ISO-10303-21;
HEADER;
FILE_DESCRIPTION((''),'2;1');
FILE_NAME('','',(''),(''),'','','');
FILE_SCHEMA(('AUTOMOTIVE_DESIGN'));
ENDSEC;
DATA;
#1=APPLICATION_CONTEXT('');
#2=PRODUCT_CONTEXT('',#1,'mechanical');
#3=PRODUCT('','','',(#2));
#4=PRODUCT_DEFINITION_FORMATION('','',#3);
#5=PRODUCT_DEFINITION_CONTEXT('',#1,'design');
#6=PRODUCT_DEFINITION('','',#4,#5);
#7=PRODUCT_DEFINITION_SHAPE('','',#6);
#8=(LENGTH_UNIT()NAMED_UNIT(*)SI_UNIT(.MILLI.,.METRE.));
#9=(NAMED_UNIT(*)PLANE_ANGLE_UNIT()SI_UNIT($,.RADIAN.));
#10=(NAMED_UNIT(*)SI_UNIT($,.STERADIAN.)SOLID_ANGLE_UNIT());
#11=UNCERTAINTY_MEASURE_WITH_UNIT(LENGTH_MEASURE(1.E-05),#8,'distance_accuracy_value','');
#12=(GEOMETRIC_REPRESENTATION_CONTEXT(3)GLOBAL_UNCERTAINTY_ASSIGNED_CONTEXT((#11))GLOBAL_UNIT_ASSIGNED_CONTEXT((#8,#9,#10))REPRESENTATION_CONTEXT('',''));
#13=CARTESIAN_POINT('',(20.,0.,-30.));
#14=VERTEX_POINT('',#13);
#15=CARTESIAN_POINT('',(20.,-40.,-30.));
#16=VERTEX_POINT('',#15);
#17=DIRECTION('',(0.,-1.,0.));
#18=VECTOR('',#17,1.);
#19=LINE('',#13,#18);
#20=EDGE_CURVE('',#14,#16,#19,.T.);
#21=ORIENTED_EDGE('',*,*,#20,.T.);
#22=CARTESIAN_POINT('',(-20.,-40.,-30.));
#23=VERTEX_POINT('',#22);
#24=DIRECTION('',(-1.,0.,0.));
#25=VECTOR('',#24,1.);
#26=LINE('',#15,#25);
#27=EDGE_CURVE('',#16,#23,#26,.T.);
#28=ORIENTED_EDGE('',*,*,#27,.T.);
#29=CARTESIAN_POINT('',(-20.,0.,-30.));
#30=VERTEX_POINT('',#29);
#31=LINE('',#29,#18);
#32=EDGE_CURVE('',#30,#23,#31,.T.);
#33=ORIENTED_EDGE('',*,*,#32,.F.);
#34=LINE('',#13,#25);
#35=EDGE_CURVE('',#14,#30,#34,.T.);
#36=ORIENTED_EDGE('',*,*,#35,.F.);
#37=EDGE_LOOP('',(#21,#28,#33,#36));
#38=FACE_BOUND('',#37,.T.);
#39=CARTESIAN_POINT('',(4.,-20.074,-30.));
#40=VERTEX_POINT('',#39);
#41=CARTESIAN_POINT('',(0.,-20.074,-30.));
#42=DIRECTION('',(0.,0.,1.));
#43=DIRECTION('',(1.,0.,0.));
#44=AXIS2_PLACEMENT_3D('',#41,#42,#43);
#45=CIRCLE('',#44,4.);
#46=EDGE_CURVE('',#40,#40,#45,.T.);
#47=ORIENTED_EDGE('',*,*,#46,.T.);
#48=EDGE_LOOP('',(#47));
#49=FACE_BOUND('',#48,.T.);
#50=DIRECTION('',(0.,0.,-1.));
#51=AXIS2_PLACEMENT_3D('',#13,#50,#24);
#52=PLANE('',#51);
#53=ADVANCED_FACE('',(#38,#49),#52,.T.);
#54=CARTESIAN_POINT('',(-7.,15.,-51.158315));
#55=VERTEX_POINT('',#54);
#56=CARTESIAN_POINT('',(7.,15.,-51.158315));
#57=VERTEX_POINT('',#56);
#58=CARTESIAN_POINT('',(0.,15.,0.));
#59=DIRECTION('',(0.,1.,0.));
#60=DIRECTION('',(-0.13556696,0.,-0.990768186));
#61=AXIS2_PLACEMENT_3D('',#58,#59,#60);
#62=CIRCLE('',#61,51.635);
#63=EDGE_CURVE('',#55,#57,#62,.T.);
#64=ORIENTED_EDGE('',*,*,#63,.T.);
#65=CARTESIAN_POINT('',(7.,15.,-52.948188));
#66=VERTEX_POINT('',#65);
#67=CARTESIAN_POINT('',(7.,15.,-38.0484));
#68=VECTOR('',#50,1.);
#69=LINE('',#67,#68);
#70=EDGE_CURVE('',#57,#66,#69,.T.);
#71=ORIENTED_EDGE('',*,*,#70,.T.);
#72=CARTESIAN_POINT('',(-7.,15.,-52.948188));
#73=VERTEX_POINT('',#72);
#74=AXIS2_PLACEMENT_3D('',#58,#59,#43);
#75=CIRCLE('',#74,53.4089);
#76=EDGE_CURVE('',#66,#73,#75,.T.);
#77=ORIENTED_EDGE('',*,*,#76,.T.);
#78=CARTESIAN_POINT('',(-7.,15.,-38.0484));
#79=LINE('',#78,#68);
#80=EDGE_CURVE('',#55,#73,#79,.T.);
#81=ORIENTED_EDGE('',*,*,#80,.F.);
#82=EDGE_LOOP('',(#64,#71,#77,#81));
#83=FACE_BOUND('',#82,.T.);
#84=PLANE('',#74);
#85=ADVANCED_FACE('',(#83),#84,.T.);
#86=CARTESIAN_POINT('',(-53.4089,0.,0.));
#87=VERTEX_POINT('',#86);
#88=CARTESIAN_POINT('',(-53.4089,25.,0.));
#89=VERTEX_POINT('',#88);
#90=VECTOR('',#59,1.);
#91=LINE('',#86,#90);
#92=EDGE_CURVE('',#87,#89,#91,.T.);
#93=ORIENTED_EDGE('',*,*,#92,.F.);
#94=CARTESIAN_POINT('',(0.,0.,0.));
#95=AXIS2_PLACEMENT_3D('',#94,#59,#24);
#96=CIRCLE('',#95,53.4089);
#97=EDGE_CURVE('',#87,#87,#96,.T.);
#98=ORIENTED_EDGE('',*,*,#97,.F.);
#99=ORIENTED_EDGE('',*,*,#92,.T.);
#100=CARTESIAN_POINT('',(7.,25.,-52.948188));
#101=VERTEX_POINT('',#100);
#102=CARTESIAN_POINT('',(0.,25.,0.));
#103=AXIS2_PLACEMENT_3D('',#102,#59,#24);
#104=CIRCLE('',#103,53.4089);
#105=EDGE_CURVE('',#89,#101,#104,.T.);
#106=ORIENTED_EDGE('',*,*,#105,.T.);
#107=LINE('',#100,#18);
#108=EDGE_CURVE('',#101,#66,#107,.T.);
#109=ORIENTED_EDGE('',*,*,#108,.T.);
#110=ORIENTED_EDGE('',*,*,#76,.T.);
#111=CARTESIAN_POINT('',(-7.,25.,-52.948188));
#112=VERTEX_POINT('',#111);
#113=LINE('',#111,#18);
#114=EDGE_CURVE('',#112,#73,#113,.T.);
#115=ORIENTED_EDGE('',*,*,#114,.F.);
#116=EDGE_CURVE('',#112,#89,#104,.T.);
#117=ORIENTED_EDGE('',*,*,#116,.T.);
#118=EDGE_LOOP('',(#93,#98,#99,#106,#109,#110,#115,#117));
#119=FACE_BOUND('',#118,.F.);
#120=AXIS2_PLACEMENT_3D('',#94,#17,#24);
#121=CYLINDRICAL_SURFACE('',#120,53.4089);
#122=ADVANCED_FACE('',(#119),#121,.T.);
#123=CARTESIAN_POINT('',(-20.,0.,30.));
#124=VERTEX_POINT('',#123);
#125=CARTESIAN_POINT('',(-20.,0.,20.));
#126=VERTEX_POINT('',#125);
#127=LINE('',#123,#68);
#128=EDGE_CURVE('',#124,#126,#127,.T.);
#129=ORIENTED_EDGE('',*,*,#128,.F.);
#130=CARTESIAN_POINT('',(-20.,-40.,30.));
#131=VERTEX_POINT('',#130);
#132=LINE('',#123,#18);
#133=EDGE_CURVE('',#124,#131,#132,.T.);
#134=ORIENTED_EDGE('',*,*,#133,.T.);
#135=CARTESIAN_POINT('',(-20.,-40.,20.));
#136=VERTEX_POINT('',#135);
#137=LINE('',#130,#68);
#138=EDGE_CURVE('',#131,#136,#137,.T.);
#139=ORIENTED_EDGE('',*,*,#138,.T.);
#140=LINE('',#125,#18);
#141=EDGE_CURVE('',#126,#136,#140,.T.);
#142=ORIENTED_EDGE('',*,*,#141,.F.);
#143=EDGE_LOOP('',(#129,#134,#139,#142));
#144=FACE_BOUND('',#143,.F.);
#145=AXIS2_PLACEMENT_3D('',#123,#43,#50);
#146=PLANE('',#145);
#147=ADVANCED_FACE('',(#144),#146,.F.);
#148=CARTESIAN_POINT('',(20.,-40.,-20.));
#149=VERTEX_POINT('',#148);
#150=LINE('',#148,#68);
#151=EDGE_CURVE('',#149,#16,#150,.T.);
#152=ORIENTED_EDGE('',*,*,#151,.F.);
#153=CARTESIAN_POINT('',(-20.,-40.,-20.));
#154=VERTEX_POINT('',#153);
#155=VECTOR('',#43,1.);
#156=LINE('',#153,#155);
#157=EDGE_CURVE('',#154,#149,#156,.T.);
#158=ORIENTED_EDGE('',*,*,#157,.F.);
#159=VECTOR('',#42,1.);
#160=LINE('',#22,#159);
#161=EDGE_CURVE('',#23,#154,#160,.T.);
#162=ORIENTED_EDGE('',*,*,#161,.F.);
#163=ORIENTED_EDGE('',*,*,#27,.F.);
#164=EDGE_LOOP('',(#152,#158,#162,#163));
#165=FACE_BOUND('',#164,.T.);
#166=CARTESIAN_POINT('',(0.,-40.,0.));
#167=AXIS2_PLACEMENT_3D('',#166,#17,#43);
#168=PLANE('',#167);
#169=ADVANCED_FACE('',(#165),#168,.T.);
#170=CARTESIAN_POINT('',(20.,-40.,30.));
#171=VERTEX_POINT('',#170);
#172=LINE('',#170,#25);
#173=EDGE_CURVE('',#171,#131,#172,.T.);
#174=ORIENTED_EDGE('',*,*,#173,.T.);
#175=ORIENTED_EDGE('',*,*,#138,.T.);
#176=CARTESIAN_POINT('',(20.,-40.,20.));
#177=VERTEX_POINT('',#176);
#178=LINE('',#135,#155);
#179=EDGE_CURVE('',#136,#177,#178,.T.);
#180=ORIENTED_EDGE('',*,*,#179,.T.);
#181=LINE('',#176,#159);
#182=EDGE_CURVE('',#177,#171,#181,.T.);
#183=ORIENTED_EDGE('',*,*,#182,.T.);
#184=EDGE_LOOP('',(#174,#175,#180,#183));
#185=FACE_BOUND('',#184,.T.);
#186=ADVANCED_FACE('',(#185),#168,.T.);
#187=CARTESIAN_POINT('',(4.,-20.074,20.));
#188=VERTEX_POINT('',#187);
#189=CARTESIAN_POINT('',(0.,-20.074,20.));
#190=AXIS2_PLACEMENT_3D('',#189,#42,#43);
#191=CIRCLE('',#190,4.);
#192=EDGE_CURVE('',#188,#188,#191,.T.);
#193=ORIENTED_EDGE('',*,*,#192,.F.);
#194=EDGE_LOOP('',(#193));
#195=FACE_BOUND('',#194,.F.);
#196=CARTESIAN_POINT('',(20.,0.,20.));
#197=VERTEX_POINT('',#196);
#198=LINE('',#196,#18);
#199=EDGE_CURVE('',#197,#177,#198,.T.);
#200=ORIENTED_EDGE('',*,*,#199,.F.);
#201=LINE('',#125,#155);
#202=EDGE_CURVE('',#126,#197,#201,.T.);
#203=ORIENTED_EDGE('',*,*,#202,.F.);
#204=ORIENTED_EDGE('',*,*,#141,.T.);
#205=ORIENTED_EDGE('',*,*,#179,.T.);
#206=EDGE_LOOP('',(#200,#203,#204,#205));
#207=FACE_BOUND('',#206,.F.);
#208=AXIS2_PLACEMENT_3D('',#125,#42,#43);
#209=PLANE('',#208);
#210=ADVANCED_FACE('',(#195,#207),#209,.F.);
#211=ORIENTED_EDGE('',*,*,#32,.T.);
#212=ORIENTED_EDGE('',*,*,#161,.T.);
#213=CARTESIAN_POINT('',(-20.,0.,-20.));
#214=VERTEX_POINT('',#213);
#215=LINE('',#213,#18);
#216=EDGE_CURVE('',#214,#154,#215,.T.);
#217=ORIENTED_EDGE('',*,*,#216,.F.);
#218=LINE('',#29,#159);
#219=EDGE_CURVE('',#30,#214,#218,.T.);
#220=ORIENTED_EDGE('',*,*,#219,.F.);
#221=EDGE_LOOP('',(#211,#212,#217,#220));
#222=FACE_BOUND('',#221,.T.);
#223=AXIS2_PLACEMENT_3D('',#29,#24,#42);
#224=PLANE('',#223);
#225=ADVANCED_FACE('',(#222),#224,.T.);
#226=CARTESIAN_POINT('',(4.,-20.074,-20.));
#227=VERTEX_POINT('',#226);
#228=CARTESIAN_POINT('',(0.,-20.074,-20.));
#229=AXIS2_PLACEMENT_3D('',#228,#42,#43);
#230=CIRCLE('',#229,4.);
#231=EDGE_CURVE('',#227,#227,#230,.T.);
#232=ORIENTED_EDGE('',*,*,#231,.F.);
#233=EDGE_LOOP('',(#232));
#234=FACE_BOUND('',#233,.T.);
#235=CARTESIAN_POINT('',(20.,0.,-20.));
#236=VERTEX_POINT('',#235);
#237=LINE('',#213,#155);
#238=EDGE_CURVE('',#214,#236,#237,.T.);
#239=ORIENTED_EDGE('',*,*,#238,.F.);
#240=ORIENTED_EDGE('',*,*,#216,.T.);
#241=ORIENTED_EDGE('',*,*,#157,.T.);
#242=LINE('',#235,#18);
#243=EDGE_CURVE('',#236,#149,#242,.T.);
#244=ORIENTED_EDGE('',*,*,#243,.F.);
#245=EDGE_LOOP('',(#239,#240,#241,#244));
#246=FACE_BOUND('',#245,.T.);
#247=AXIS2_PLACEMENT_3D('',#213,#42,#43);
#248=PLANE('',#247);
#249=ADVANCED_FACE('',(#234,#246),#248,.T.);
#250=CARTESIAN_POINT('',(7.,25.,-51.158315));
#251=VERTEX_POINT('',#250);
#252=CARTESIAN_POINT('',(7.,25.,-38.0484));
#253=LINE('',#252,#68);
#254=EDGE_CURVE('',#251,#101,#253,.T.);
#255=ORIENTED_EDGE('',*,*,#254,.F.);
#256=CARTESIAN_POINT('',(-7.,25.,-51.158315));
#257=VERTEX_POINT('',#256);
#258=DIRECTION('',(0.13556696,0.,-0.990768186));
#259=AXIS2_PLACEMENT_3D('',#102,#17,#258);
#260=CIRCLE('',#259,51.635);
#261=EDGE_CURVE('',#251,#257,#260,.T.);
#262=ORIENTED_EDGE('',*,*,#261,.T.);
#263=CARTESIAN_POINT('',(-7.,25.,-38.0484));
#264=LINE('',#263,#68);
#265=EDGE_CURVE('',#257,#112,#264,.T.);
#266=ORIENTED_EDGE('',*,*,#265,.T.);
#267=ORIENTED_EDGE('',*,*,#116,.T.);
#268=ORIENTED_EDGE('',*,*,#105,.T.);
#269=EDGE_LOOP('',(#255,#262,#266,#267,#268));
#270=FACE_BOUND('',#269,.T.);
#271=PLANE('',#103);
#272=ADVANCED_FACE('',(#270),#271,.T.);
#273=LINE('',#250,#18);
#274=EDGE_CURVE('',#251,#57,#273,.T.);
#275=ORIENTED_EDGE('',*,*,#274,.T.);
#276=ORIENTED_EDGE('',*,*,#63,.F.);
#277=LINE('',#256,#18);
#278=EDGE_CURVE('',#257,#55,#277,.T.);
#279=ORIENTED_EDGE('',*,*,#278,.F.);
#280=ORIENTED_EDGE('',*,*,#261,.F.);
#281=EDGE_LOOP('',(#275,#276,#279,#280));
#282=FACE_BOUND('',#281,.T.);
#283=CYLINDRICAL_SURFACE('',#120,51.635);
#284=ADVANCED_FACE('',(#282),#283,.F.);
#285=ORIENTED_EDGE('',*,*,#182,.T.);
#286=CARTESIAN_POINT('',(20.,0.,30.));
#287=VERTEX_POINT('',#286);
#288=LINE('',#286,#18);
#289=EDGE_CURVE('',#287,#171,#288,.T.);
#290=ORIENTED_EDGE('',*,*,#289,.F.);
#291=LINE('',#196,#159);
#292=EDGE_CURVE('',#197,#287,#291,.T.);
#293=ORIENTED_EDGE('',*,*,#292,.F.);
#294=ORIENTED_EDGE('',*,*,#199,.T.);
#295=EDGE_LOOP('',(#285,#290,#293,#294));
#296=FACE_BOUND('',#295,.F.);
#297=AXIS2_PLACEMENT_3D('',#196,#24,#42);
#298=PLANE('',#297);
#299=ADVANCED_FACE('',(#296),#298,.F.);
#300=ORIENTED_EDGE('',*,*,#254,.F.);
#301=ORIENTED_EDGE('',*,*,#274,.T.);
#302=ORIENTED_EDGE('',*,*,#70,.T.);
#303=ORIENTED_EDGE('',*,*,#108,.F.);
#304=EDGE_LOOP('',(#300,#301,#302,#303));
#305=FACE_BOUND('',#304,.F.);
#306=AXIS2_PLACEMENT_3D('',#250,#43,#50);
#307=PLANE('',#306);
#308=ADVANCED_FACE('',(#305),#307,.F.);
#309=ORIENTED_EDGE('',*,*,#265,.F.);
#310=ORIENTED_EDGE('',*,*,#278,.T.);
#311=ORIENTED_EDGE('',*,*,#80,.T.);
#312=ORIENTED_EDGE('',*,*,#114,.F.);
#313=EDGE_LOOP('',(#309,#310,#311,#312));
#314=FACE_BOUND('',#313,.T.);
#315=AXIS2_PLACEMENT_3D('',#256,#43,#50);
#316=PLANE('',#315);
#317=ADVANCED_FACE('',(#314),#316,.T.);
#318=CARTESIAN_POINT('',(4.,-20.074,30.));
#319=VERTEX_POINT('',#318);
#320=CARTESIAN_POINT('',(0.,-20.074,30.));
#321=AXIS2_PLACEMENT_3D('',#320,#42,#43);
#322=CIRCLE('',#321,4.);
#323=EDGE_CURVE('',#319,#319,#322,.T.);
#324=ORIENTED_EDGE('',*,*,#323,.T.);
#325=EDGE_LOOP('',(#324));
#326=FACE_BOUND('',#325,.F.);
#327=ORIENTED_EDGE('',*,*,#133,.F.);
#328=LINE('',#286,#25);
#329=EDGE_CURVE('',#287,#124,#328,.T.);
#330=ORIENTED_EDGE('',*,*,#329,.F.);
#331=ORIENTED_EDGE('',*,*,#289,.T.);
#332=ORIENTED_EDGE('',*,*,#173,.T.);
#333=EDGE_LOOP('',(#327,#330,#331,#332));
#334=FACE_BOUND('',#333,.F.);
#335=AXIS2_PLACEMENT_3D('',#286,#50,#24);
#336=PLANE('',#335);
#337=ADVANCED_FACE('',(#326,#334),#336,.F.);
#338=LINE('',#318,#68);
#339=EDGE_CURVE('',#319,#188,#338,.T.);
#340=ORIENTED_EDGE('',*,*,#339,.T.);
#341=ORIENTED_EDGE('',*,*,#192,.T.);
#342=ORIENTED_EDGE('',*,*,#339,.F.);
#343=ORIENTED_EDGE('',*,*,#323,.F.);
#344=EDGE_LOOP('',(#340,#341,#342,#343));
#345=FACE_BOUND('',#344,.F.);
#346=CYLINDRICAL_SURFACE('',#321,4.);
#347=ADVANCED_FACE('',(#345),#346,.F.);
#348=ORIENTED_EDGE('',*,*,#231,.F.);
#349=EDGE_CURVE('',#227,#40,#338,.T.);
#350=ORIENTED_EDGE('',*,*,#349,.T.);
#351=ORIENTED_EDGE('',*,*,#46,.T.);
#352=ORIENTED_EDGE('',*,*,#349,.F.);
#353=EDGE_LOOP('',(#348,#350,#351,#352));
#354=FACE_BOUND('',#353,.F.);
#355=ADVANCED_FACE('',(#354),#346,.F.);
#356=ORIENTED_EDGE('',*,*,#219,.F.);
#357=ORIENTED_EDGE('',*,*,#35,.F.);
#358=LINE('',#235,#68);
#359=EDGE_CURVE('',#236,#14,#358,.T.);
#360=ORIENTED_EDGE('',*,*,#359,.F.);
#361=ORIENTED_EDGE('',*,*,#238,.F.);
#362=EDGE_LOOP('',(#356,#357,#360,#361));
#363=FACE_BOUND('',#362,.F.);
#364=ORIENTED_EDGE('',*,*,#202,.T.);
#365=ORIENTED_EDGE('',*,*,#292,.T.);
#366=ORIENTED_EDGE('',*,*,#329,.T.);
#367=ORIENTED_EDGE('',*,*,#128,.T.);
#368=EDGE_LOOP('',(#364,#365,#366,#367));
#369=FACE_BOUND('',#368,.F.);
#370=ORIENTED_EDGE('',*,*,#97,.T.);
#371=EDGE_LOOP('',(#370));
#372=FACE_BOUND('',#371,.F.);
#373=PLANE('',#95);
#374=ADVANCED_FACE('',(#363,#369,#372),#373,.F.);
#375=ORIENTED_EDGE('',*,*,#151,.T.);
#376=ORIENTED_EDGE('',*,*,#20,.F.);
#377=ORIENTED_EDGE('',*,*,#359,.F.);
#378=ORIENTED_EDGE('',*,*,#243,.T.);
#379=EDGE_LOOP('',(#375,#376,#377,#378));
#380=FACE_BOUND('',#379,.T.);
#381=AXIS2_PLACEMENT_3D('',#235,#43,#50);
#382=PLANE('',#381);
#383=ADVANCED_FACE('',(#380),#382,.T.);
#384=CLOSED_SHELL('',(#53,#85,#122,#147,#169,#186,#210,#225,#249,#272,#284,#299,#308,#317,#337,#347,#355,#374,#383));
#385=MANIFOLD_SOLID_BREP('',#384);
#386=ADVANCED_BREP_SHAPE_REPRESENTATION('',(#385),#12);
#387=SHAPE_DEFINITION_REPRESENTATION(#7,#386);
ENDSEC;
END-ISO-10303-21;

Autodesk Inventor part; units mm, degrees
ref_plane "YZ Plane" through (0, 0, 0) normal (1, 0, 0) x (0, 1, 0)
ref_plane "XZ Plane" through (0, 0, 0) normal (0, 1, 0) x (-1, 0, 0)
ref_plane "XY Plane" through (0, 0, 0) normal (0, 0, 1) x (1, 0, 0)
sketch "스케치1" plane through (0, 0, 0) normal (0, 1, 0) x (-1, 0, 0)
  circle A0 centre (0, 0) radius 51.635
  circle A1 centre (0, 0) radius 53.4089
  dimension "d0" = 103.27
extrude "돌출1" add sketch "스케치1" along normal blind 25
extrude "돌출2" add sketch "스케치1" along normal blind 15 contours A0
sketch "스케치2" plane through (0, 25, 0) normal (0, 1, 0) x (1, 0, 0)
  line L0 (-7, 38.0484) -> (-7, 59.2742)
  line L1 (7, 38.0484) -> (7, 59.2742)
  circle A0 centre (0, 0) radius 53.4089 projected
  circle A1 centre (0, 0) radius 51.635 projected
  point P0 (-7, 51.1583)
  point P1 (7, 51.1583)
  point P2 (7, 52.9482)
  point P3 (-7, 52.9482)
  dimension "d5" = 14
  dimension "d6" = 7
extrude "돌출3" cut sketch "스케치2" against normal blind 10 contours L0 A0 L1 A1 picked at (5.4466, 51.8962)
sketch "스케치5" plane through (0, 0, 0) normal (0, -1, 0) x (1, 0, 0)
  circle A0 centre (0, 0) radius 53.4089 projected
  line L0 (0, 53.4089) -> (0, -53.4089) construction
  line L1 (-53.4089, 0) -> (53.4089, 0) construction
  line L2 (-49.5229, 20) -> (49.5229, 20) construction
  line L3 (49.5229, 20) -> (49.5229, -20) construction
  line L4 (49.5229, -20) -> (-49.5229, -20) construction
  line L5 (-49.5229, -20) -> (-49.5229, 20) construction
  line L6 (-20, 20) -> (20, 20)
  line L7 (20, 20) -> (20, 30)
  line L8 (20, 30) -> (-20, 30)
  line L9 (-20, 30) -> (-20, 20)
  line L10 (20, -20) -> (20, -30)
  line L11 (20, -30) -> (-20, -30)
  line L12 (-20, -30) -> (-20, -20)
  line L13 (-20, -20) -> (20, -20)
  point P0 (0, 30)
  dimension "d19" = 40
  dimension "d20" = 20
  dimension "d21" = 40
  dimension "d22" = 10
extrude "돌출6" add sketch "스케치5" along normal blind 40 contours L9 L8 L7 L6 | L10 L11 L12 L13
sketch "스케치6" plane through (-20, 0, 30) normal (0, 0, 1) x (1, 0, 0)
  line L0 (0, 0) -> (40, 0) projected
  line L1 (0, 0) -> (0, -40) projected
  line L2 (40, -40) -> (0, -40) projected
  line L3 (40, 0) -> (40, -40) projected
  circle A0 centre (20, -20.074) radius 4
  point P0 (20, 0)
  dimension "d25" = 8
  dimension "d26" = 20.074
  dimension "d27" = 20
extrude "돌출7" cut sketch "스케치6" against normal blind 69.75 contours A0
properties part number "lidar_case"
